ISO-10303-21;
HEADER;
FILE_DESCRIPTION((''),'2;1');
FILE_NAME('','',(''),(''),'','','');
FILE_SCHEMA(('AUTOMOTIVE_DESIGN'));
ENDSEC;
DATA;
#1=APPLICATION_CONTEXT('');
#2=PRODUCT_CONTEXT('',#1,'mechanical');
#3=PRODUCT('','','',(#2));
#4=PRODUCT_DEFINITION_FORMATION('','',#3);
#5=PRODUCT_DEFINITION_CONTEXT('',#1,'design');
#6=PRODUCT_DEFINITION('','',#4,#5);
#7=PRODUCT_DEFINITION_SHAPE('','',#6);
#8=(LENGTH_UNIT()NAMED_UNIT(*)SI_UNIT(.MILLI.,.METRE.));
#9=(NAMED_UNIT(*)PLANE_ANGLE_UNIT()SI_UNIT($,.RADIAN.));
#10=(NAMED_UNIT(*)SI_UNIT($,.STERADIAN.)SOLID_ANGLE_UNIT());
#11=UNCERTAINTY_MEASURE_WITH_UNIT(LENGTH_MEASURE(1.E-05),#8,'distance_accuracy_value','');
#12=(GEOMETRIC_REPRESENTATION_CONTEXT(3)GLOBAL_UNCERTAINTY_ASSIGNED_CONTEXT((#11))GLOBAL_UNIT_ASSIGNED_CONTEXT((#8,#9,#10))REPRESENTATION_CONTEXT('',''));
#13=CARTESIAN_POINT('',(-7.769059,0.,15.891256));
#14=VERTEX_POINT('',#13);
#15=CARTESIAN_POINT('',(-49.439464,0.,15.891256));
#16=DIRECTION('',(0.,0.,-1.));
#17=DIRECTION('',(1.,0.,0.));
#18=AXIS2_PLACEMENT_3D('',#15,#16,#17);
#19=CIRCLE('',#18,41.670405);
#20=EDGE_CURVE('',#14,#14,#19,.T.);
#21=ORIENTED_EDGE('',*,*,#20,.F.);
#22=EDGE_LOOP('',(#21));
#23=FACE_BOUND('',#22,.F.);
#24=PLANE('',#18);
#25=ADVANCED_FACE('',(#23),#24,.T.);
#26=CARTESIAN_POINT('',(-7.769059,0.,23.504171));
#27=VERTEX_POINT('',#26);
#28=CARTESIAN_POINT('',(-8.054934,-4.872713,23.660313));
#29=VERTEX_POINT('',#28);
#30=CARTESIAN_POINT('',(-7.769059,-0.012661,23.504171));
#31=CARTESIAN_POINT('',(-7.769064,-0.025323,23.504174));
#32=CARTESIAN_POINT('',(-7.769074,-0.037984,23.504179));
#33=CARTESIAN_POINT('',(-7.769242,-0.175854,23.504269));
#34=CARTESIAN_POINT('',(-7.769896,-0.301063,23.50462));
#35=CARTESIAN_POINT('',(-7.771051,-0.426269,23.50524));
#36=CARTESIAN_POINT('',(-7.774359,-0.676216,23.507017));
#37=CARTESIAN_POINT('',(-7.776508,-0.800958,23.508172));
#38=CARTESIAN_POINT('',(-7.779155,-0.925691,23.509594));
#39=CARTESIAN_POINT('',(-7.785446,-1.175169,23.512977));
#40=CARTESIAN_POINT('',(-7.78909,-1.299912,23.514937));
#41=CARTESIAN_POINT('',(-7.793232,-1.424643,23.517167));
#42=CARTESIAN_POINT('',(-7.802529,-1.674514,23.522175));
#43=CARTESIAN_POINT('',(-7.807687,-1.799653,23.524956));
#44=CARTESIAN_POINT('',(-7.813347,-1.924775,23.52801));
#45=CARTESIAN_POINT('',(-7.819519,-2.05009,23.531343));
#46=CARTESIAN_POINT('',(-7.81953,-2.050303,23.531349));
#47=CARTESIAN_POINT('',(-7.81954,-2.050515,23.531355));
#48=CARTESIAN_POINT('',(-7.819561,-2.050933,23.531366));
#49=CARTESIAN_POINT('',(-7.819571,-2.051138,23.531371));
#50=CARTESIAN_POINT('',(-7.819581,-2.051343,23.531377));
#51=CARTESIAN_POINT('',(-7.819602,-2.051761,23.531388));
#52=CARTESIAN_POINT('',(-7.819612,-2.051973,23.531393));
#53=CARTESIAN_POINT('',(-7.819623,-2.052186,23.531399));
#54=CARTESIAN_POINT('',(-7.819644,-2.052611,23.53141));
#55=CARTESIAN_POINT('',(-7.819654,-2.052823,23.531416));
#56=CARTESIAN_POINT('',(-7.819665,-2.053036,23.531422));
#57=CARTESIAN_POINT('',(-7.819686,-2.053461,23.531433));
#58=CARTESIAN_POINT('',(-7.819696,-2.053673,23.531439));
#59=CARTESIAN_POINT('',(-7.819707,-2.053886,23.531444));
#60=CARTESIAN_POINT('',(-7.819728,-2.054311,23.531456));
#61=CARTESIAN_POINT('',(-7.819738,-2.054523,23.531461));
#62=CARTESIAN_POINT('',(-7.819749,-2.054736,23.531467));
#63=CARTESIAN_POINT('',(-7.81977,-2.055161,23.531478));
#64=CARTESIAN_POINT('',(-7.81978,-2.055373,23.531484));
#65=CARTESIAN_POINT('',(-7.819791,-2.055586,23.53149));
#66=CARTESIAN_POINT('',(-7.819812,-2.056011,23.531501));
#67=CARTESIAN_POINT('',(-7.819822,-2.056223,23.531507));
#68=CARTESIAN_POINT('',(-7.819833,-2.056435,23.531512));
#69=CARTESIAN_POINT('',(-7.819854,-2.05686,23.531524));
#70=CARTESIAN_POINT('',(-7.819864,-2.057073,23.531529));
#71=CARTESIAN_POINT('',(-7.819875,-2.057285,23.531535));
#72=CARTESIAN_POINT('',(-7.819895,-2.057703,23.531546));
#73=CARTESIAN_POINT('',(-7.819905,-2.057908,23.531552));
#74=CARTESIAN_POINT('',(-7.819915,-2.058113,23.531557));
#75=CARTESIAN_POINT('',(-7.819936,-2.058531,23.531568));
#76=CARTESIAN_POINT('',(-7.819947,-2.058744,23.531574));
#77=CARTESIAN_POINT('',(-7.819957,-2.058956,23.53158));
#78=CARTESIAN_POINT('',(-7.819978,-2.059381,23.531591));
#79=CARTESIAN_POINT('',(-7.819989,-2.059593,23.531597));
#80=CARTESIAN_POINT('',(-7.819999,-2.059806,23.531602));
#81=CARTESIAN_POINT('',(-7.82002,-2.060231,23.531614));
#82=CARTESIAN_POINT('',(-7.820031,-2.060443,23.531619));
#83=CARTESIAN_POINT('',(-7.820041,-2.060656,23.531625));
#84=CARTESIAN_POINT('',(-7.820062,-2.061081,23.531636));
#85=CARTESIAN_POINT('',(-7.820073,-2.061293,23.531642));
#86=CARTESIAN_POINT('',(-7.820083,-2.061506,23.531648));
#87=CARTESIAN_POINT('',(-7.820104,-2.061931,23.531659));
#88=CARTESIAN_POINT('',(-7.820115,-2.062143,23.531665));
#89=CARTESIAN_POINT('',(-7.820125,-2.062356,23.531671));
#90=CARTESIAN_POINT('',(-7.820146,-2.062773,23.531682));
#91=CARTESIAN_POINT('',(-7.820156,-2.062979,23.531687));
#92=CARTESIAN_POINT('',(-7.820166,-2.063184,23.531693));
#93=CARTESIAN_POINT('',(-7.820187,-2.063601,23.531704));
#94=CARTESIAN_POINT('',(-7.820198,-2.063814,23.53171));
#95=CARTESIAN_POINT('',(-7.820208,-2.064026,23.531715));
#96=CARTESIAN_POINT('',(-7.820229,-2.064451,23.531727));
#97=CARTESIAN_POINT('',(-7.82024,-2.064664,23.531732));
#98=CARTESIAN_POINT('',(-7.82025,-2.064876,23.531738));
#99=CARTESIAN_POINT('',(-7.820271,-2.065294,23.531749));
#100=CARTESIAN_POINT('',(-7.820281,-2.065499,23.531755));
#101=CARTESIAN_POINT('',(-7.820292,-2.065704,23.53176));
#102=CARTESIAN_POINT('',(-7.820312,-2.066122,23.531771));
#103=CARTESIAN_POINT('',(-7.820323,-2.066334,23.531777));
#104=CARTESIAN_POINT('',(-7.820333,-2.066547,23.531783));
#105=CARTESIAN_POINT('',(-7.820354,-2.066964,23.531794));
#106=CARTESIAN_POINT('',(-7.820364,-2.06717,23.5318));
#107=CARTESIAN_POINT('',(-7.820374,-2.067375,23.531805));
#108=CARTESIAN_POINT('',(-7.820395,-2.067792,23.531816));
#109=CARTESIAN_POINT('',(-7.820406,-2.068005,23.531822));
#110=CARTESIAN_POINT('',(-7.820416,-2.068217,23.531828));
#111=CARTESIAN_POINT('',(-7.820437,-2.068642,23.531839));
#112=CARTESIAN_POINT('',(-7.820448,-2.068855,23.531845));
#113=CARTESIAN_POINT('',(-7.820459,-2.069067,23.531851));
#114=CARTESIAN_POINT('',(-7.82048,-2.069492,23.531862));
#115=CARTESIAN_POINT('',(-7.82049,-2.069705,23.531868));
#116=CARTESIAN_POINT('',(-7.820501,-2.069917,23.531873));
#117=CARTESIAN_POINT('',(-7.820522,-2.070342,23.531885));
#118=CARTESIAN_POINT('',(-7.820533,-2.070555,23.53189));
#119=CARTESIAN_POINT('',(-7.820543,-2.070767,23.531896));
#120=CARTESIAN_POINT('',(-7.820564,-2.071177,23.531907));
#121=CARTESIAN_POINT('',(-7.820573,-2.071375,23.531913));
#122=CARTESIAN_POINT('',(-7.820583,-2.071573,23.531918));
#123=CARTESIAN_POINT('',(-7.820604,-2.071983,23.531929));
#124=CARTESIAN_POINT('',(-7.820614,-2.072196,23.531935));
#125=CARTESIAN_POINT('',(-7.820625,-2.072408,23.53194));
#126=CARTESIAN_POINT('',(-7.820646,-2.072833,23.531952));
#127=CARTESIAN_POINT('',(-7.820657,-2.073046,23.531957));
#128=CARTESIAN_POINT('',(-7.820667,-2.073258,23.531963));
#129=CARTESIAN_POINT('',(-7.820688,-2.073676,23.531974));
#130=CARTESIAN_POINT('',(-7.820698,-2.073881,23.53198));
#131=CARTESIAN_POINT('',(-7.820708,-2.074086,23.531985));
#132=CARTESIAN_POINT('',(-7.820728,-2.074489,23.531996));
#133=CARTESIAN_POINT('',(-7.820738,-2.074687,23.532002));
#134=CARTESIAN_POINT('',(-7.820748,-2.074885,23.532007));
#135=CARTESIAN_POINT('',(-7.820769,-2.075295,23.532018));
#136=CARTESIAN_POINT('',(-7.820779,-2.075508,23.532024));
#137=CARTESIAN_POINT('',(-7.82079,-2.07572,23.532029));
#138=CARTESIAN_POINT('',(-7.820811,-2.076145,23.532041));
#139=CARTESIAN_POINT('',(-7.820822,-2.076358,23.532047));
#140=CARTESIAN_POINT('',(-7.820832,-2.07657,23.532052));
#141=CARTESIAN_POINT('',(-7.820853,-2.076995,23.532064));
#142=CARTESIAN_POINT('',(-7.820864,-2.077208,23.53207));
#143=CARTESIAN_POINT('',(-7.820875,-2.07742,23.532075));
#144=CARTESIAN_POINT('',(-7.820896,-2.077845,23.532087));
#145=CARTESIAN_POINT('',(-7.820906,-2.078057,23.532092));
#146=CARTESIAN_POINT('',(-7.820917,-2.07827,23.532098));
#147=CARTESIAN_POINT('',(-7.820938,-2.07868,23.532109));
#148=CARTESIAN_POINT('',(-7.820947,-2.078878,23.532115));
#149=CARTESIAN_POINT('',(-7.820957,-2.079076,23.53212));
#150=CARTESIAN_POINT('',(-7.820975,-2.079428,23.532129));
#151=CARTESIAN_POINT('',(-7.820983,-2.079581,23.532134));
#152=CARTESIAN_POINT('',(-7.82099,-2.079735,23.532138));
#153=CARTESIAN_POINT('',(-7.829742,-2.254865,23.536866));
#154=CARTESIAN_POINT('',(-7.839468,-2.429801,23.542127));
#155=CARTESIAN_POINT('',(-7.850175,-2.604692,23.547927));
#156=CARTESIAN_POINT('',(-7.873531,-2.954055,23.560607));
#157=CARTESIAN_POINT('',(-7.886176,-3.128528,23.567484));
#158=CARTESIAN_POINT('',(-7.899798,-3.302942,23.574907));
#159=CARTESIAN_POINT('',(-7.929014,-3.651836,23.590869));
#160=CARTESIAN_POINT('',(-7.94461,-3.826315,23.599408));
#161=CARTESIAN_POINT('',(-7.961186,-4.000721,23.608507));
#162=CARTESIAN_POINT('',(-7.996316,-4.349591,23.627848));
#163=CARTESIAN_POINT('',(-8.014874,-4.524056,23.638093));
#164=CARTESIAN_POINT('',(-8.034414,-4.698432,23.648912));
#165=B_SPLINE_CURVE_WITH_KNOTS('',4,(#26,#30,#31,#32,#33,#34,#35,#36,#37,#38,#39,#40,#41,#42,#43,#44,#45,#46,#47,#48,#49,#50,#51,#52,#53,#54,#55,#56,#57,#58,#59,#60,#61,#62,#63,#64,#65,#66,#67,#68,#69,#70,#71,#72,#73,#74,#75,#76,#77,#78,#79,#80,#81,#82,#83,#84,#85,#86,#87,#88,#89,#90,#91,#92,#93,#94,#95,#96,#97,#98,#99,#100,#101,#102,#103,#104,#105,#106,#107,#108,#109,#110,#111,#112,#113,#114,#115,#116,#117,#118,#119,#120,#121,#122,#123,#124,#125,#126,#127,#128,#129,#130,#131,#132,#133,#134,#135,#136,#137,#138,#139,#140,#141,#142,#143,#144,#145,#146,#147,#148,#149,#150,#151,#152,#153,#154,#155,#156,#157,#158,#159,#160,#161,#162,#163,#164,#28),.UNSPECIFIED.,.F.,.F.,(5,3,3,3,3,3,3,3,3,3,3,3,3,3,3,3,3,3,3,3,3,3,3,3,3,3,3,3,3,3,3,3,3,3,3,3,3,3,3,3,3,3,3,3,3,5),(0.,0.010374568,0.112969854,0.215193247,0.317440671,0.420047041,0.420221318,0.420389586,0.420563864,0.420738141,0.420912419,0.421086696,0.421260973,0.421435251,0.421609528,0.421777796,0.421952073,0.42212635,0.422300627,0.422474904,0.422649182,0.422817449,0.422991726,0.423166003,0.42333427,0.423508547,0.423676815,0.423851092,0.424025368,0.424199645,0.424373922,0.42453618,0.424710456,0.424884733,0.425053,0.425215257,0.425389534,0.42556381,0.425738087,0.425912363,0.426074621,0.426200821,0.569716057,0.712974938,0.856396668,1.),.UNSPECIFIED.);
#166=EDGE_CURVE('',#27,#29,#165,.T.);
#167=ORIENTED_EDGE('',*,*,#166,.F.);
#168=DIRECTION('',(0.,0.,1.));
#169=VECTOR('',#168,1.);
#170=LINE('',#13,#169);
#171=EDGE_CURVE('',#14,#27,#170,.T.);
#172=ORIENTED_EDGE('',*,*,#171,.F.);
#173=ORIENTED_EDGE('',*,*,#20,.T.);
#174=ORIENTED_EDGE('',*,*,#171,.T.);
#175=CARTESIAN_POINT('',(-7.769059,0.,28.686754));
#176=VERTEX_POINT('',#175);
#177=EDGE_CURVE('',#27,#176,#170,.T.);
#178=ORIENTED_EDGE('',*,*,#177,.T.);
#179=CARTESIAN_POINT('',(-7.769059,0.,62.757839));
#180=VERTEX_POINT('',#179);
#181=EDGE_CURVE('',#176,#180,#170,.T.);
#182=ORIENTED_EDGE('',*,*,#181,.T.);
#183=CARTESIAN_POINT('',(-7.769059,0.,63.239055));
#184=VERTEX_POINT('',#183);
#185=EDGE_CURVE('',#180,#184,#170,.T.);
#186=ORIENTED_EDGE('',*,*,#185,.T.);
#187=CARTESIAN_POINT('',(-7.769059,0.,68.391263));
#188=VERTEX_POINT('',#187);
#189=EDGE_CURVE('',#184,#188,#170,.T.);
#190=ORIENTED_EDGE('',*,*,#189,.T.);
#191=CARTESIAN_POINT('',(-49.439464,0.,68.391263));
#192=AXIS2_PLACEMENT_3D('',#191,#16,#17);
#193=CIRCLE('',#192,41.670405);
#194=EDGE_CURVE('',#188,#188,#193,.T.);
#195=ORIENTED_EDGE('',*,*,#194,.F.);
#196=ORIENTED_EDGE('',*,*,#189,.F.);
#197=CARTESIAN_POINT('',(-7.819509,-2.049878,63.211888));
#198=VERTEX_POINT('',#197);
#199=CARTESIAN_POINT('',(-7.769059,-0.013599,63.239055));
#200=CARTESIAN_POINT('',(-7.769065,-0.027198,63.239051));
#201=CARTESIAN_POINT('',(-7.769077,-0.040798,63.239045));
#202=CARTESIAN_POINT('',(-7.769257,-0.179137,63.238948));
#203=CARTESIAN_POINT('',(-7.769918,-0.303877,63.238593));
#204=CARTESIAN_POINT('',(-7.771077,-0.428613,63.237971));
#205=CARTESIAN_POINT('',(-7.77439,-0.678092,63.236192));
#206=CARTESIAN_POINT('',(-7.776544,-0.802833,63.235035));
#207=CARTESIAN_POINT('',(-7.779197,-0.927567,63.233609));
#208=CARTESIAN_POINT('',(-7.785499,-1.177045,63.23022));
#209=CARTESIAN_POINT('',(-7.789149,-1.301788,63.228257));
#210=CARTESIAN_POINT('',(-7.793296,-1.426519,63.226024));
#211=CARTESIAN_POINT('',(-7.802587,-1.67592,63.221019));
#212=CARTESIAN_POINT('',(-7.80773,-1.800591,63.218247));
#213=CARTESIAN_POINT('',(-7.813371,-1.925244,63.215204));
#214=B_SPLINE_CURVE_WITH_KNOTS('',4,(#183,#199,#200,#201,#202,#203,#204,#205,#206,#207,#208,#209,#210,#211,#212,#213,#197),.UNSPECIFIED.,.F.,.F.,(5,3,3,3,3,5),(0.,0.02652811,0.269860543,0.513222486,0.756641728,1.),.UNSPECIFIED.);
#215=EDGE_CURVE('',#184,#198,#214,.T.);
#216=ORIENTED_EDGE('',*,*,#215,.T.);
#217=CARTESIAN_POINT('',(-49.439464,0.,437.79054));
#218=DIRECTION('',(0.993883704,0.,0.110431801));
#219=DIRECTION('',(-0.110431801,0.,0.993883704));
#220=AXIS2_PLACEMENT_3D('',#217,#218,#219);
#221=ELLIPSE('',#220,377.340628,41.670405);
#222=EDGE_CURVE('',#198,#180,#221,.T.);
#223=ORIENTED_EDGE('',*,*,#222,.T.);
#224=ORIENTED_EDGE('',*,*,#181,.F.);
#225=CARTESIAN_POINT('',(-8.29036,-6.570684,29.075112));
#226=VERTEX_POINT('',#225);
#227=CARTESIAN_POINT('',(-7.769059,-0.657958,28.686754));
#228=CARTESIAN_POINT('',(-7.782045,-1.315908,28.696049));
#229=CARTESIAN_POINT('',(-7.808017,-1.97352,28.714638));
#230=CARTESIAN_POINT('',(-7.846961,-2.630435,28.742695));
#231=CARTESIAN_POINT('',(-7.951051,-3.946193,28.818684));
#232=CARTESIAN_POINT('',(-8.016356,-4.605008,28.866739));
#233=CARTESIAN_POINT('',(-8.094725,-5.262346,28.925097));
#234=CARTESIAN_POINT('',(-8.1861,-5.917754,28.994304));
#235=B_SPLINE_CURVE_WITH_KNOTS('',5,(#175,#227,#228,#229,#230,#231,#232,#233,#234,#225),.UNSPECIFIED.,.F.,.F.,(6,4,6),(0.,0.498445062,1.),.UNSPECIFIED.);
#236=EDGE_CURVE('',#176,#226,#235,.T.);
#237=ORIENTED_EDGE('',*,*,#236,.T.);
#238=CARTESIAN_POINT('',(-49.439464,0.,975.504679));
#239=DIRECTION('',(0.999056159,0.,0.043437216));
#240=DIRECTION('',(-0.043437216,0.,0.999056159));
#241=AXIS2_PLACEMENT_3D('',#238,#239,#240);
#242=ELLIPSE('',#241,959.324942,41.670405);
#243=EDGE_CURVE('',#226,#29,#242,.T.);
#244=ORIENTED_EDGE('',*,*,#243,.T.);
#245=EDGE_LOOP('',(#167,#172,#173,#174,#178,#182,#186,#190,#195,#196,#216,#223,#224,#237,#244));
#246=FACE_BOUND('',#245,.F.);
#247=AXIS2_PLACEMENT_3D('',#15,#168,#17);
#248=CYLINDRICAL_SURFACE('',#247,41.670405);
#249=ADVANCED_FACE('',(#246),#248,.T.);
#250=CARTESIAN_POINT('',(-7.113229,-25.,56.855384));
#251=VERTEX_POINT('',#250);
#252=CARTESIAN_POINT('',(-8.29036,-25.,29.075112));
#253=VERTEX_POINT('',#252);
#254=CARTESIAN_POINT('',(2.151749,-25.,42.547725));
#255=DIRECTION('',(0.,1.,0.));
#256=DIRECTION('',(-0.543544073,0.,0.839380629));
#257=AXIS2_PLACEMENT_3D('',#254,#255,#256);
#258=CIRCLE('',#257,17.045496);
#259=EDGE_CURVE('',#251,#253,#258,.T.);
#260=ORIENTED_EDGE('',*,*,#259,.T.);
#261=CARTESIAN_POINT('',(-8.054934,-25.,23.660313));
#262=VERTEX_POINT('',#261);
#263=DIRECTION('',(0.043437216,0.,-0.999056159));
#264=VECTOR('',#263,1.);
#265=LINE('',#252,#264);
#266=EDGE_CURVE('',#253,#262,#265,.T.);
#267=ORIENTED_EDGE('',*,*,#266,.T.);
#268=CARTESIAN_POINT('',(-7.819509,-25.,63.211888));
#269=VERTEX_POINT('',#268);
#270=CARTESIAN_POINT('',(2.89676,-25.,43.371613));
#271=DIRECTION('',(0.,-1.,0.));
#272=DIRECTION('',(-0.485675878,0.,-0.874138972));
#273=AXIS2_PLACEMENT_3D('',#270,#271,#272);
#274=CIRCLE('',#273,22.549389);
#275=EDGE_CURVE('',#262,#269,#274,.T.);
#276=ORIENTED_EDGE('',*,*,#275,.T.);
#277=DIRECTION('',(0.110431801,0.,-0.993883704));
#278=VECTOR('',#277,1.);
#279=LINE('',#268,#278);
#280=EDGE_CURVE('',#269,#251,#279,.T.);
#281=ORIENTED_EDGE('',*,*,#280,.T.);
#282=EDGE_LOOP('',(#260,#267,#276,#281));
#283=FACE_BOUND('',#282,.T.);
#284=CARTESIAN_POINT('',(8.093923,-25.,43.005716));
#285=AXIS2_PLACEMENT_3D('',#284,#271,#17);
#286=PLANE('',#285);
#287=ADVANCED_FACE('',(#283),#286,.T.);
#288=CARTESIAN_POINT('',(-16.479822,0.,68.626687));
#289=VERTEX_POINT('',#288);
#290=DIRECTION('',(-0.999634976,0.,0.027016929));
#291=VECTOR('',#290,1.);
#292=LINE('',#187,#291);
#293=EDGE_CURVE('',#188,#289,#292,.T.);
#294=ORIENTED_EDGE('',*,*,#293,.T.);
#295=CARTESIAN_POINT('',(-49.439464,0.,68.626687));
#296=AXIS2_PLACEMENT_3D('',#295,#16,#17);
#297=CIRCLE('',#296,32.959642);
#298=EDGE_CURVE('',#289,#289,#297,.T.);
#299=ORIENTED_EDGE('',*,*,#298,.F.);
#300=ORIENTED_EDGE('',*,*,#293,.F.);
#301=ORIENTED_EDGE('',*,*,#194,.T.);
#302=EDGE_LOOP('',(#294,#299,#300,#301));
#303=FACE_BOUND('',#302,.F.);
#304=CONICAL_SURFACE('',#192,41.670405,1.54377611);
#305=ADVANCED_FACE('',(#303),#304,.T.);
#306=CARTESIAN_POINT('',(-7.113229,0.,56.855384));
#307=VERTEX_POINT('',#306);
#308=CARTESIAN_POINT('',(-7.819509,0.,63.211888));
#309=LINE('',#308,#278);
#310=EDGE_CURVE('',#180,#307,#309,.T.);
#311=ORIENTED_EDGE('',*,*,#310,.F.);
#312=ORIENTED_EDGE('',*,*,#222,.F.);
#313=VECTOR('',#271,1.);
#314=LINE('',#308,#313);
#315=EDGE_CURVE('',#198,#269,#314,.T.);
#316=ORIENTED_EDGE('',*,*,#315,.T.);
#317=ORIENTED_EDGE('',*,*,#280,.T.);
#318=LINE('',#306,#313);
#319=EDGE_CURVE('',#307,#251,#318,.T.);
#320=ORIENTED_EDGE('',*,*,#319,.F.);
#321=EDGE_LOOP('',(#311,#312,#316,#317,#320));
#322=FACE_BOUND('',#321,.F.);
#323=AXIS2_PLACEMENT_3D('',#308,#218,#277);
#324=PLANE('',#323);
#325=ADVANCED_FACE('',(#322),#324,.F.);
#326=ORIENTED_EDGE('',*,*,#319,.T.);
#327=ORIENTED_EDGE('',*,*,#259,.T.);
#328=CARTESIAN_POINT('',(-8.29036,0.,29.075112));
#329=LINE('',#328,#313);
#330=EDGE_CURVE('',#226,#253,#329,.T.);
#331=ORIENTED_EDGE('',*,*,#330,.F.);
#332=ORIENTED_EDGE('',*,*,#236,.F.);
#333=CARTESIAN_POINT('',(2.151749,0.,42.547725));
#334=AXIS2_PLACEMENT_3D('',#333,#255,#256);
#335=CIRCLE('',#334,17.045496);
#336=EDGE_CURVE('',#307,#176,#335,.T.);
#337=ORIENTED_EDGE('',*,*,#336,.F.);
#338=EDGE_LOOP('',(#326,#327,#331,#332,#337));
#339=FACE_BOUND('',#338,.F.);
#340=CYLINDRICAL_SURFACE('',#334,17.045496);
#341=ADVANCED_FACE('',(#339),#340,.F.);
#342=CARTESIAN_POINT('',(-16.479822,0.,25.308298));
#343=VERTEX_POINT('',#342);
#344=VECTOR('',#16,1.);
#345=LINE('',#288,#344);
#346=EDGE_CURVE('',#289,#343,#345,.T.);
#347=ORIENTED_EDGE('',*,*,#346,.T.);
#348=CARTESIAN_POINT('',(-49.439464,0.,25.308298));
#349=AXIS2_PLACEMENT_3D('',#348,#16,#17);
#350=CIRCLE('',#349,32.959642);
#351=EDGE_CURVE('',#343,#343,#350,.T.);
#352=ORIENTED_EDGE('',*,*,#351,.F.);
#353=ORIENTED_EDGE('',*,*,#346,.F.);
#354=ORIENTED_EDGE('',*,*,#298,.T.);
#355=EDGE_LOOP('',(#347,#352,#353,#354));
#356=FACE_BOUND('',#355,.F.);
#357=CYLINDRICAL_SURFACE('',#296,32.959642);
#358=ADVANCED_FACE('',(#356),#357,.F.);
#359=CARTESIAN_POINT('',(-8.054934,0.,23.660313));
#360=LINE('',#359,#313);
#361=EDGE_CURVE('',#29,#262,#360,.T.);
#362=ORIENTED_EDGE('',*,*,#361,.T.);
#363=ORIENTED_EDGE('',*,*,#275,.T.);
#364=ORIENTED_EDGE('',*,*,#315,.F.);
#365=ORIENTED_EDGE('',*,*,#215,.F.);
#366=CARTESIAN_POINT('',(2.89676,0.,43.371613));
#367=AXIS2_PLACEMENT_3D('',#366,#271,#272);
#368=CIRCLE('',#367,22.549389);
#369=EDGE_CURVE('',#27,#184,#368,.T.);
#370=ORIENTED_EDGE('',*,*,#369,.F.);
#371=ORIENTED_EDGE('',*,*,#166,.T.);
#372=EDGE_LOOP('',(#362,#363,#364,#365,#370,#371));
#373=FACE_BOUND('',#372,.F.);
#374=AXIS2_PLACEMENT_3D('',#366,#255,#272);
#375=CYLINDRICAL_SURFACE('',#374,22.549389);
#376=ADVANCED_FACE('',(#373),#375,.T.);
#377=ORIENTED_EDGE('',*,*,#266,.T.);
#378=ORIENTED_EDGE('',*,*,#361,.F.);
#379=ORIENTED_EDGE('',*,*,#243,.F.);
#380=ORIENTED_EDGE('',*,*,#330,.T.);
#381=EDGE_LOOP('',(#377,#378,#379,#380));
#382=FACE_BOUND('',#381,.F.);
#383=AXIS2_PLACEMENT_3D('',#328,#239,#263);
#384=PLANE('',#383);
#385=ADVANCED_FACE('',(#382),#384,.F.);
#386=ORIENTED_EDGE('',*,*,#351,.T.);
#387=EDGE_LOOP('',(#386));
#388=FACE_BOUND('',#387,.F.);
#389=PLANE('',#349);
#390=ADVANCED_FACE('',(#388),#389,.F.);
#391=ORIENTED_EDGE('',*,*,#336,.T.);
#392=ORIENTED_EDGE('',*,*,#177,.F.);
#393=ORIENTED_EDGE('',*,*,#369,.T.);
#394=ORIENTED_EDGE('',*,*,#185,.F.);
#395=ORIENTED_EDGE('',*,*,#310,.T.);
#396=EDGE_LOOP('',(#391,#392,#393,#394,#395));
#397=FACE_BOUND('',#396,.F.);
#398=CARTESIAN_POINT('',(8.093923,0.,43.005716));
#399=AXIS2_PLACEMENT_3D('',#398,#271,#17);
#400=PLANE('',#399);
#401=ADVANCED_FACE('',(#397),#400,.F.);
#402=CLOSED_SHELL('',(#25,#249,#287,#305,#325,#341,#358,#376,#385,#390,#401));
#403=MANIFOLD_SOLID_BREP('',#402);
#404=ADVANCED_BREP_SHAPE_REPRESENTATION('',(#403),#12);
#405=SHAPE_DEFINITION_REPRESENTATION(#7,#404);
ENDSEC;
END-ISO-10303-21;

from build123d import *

# Parameters (mm, degrees)
F3_DEPTH = 25


with BuildPart() as f1:
    # F0 (on Front) → F1 (revolve)
    with BuildSketch(Plane.XZ):
        Polygon((-7.769059, 68.391263), (-16.479822, 68.626687), (-16.479822, 25.308298), (-49.439464, 25.308298), (-49.439464, 15.891256), (-7.769059, 15.891256), (-7.769059, 19.658072), align=None)
    revolve(axis=Axis((-49.439464, 0, 20.599777), (0, 0, -1)))

    # F2 (on Front) → F3 (join)
    with BuildSketch(Plane.XZ):
        with BuildLine():
            ThreePointArc((-7.113229, 56.855384), (19.181964, 41.826106), (-8.29036, 29.075112))
            Line((-8.29036, 29.075112), (-8.054934, 23.660313))
            ThreePointArc((-8.054934, 23.660313), (25.44575, 43.237394), (-7.819509, 63.211888))
            Line((-7.819509, 63.211888), (-7.113229, 56.855384))
        make_face()
    extrude(amount=F3_DEPTH)


solid = f1.part
